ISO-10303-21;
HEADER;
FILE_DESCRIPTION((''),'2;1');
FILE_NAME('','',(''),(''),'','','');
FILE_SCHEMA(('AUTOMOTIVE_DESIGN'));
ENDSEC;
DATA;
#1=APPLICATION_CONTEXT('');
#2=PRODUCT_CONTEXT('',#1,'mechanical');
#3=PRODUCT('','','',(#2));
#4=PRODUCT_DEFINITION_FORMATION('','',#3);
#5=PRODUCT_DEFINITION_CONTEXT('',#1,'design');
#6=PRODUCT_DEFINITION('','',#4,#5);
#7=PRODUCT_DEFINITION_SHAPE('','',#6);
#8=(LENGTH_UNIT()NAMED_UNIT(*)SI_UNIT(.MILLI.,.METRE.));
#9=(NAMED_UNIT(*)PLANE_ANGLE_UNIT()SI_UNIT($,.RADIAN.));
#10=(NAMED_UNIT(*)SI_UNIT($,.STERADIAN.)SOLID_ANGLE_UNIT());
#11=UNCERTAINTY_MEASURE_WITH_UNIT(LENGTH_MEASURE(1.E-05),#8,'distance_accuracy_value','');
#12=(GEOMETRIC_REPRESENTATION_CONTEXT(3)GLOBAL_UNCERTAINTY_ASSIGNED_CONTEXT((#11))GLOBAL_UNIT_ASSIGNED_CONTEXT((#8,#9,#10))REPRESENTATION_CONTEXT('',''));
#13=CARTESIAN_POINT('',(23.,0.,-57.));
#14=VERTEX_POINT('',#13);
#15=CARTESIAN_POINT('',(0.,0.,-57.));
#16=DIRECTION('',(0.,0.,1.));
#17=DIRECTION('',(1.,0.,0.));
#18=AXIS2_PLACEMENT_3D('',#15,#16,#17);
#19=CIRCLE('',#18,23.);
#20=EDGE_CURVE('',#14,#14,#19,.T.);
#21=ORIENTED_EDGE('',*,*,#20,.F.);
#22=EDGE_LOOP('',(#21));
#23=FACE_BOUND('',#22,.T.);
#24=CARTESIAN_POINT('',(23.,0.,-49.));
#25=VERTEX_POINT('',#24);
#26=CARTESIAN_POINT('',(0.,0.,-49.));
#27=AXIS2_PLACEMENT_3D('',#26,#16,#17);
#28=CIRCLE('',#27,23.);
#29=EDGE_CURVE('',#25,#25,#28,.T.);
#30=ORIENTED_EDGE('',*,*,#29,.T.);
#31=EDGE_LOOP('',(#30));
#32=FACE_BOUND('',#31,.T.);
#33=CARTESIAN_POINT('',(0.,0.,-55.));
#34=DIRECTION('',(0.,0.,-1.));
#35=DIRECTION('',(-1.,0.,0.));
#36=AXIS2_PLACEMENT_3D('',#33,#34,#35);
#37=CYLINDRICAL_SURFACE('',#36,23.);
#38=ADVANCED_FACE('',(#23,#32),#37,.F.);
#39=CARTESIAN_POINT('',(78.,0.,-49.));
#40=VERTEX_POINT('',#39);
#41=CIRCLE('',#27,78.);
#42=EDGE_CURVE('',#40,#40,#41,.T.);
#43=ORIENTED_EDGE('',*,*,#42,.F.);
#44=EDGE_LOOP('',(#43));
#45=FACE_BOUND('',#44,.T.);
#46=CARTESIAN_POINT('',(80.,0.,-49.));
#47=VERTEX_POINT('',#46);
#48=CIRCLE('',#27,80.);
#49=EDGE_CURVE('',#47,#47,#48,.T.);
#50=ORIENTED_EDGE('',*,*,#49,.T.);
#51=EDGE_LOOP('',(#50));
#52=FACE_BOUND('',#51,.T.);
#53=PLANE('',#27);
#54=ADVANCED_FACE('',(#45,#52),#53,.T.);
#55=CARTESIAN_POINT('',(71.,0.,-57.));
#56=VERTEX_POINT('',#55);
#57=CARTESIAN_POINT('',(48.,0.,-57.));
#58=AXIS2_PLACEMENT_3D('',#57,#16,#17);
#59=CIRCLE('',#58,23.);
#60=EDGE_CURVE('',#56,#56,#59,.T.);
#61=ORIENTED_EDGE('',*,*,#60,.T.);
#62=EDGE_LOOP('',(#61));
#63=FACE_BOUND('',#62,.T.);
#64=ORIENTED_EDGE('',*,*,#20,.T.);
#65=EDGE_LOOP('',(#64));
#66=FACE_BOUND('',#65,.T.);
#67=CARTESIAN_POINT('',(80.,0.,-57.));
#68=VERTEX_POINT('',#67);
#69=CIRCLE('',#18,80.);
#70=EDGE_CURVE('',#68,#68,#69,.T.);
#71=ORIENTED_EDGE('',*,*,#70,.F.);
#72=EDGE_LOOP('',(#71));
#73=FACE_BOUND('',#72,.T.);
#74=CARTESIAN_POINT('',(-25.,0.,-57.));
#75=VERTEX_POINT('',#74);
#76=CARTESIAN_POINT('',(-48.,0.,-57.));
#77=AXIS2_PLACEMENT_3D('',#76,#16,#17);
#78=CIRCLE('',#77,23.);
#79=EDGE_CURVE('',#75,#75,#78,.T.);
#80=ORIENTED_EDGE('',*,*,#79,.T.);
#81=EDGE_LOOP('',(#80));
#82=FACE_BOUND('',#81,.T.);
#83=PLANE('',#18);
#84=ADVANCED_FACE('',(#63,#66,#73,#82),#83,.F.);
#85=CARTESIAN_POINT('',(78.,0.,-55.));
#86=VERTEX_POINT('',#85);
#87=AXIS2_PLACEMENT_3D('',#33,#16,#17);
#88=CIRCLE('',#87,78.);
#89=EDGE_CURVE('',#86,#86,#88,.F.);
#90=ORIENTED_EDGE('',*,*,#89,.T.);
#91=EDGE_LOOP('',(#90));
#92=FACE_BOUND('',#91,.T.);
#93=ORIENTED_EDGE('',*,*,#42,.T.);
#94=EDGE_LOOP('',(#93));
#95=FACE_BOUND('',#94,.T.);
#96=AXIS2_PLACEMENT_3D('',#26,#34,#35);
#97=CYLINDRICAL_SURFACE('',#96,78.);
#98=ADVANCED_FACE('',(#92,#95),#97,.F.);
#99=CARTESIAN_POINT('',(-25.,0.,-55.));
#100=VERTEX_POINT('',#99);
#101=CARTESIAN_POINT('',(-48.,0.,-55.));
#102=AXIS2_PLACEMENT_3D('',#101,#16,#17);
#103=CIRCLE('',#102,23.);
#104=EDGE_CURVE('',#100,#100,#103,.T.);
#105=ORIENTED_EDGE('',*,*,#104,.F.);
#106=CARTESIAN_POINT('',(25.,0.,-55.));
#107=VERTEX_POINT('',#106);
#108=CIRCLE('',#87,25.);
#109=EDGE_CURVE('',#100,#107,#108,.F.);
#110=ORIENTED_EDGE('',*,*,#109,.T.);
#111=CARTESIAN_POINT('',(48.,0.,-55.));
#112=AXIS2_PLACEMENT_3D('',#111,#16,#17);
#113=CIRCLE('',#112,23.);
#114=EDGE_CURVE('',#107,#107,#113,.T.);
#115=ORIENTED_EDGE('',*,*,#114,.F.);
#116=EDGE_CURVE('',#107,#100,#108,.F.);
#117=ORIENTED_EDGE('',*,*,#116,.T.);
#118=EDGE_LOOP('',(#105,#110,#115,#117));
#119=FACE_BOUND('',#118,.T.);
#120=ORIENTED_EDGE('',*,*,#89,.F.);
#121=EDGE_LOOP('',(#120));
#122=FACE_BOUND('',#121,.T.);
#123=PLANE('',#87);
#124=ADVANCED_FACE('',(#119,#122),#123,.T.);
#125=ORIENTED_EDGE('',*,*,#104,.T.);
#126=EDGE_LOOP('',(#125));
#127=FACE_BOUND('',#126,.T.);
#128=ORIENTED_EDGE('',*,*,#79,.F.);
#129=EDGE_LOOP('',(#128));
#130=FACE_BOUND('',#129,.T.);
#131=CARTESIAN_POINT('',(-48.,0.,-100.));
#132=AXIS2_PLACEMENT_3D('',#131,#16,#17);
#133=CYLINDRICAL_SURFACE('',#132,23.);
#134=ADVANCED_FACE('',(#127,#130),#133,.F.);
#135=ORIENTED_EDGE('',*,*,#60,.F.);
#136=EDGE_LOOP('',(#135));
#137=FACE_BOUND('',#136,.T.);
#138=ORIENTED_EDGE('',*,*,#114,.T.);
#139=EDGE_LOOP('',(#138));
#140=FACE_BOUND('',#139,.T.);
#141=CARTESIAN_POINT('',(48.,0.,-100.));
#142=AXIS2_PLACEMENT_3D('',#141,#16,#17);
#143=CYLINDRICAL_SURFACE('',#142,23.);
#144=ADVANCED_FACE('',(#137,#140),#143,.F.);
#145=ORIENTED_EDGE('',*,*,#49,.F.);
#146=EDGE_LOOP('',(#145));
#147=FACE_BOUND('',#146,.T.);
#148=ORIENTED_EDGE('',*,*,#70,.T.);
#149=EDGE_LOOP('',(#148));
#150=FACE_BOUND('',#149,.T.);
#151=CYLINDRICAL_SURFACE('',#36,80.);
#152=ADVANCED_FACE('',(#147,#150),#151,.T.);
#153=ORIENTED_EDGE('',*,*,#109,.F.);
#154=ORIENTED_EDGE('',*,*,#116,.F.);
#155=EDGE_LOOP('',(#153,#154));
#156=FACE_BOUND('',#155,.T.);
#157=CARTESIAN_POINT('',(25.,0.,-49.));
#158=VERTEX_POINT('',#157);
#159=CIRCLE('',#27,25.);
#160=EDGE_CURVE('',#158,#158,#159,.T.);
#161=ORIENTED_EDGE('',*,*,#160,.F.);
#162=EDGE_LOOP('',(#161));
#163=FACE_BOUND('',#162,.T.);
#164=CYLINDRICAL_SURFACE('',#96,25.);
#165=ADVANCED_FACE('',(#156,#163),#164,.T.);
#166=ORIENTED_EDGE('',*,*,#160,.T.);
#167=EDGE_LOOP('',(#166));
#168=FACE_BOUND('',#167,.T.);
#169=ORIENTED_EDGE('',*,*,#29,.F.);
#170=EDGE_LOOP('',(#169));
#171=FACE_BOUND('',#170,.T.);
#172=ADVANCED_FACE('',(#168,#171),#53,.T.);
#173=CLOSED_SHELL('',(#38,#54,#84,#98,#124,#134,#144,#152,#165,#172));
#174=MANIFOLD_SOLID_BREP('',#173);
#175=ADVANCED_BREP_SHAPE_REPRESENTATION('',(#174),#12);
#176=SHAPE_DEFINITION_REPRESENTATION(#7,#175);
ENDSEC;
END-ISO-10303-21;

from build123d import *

# Parameters (mm, degrees)
PLENUM_BACKPLATE_START  = -57
SKETCH_1_R              = 80
SKETCH_1_R_2            = 23
PLENUM_BACKPLATE_DEPTH  = 2
PLENUM_OUTER_WALL_START = -57
SKETCH_2_R              = 80
SKETCH_2_R_2            = 78
PLENUM_OUTER_WALL_DEPTH = 8
PLENUM_INNER_WALL_START = -57
SKETCH_3_R              = 25
SKETCH_3_R_2            = 23
PLENUM_INNER_WALL_DEPTH = 8
SKETCH_4_R              = 23
THROUGH_HOLES_DEPTH     = 100


with BuildPart() as part:
    # Эскиз1 → Plenum_backplate (new body)
    with BuildSketch(Plane.XY.offset(PLENUM_BACKPLATE_START)):
        Circle(SKETCH_1_R)
        Circle(SKETCH_1_R_2, mode=Mode.SUBTRACT)
    extrude(amount=PLENUM_BACKPLATE_DEPTH)

    # Эскиз2 → Plenum_outer_wall (add)
    with BuildSketch(Plane.XY.offset(PLENUM_OUTER_WALL_START)):
        Circle(SKETCH_2_R)
        Circle(SKETCH_2_R_2, mode=Mode.SUBTRACT)
    extrude(amount=PLENUM_OUTER_WALL_DEPTH)

    # Эскиз3 → Plenum_inner_wall (add)
    with BuildSketch(Plane.XY.offset(PLENUM_INNER_WALL_START)):
        Circle(SKETCH_3_R)
        Circle(SKETCH_3_R_2, mode=Mode.SUBTRACT)
    extrude(amount=PLENUM_INNER_WALL_DEPTH)

    # Эскиз4 → Through_holes (cut, symmetric)
    with BuildSketch(Plane.XY):
        with Locations((-48, 0)):
            Circle(SKETCH_4_R)
        with Locations((48, 0)):
            Circle(SKETCH_4_R)
    extrude(amount=THROUGH_HOLES_DEPTH, both=True, mode=Mode.SUBTRACT)


solid = part.part
